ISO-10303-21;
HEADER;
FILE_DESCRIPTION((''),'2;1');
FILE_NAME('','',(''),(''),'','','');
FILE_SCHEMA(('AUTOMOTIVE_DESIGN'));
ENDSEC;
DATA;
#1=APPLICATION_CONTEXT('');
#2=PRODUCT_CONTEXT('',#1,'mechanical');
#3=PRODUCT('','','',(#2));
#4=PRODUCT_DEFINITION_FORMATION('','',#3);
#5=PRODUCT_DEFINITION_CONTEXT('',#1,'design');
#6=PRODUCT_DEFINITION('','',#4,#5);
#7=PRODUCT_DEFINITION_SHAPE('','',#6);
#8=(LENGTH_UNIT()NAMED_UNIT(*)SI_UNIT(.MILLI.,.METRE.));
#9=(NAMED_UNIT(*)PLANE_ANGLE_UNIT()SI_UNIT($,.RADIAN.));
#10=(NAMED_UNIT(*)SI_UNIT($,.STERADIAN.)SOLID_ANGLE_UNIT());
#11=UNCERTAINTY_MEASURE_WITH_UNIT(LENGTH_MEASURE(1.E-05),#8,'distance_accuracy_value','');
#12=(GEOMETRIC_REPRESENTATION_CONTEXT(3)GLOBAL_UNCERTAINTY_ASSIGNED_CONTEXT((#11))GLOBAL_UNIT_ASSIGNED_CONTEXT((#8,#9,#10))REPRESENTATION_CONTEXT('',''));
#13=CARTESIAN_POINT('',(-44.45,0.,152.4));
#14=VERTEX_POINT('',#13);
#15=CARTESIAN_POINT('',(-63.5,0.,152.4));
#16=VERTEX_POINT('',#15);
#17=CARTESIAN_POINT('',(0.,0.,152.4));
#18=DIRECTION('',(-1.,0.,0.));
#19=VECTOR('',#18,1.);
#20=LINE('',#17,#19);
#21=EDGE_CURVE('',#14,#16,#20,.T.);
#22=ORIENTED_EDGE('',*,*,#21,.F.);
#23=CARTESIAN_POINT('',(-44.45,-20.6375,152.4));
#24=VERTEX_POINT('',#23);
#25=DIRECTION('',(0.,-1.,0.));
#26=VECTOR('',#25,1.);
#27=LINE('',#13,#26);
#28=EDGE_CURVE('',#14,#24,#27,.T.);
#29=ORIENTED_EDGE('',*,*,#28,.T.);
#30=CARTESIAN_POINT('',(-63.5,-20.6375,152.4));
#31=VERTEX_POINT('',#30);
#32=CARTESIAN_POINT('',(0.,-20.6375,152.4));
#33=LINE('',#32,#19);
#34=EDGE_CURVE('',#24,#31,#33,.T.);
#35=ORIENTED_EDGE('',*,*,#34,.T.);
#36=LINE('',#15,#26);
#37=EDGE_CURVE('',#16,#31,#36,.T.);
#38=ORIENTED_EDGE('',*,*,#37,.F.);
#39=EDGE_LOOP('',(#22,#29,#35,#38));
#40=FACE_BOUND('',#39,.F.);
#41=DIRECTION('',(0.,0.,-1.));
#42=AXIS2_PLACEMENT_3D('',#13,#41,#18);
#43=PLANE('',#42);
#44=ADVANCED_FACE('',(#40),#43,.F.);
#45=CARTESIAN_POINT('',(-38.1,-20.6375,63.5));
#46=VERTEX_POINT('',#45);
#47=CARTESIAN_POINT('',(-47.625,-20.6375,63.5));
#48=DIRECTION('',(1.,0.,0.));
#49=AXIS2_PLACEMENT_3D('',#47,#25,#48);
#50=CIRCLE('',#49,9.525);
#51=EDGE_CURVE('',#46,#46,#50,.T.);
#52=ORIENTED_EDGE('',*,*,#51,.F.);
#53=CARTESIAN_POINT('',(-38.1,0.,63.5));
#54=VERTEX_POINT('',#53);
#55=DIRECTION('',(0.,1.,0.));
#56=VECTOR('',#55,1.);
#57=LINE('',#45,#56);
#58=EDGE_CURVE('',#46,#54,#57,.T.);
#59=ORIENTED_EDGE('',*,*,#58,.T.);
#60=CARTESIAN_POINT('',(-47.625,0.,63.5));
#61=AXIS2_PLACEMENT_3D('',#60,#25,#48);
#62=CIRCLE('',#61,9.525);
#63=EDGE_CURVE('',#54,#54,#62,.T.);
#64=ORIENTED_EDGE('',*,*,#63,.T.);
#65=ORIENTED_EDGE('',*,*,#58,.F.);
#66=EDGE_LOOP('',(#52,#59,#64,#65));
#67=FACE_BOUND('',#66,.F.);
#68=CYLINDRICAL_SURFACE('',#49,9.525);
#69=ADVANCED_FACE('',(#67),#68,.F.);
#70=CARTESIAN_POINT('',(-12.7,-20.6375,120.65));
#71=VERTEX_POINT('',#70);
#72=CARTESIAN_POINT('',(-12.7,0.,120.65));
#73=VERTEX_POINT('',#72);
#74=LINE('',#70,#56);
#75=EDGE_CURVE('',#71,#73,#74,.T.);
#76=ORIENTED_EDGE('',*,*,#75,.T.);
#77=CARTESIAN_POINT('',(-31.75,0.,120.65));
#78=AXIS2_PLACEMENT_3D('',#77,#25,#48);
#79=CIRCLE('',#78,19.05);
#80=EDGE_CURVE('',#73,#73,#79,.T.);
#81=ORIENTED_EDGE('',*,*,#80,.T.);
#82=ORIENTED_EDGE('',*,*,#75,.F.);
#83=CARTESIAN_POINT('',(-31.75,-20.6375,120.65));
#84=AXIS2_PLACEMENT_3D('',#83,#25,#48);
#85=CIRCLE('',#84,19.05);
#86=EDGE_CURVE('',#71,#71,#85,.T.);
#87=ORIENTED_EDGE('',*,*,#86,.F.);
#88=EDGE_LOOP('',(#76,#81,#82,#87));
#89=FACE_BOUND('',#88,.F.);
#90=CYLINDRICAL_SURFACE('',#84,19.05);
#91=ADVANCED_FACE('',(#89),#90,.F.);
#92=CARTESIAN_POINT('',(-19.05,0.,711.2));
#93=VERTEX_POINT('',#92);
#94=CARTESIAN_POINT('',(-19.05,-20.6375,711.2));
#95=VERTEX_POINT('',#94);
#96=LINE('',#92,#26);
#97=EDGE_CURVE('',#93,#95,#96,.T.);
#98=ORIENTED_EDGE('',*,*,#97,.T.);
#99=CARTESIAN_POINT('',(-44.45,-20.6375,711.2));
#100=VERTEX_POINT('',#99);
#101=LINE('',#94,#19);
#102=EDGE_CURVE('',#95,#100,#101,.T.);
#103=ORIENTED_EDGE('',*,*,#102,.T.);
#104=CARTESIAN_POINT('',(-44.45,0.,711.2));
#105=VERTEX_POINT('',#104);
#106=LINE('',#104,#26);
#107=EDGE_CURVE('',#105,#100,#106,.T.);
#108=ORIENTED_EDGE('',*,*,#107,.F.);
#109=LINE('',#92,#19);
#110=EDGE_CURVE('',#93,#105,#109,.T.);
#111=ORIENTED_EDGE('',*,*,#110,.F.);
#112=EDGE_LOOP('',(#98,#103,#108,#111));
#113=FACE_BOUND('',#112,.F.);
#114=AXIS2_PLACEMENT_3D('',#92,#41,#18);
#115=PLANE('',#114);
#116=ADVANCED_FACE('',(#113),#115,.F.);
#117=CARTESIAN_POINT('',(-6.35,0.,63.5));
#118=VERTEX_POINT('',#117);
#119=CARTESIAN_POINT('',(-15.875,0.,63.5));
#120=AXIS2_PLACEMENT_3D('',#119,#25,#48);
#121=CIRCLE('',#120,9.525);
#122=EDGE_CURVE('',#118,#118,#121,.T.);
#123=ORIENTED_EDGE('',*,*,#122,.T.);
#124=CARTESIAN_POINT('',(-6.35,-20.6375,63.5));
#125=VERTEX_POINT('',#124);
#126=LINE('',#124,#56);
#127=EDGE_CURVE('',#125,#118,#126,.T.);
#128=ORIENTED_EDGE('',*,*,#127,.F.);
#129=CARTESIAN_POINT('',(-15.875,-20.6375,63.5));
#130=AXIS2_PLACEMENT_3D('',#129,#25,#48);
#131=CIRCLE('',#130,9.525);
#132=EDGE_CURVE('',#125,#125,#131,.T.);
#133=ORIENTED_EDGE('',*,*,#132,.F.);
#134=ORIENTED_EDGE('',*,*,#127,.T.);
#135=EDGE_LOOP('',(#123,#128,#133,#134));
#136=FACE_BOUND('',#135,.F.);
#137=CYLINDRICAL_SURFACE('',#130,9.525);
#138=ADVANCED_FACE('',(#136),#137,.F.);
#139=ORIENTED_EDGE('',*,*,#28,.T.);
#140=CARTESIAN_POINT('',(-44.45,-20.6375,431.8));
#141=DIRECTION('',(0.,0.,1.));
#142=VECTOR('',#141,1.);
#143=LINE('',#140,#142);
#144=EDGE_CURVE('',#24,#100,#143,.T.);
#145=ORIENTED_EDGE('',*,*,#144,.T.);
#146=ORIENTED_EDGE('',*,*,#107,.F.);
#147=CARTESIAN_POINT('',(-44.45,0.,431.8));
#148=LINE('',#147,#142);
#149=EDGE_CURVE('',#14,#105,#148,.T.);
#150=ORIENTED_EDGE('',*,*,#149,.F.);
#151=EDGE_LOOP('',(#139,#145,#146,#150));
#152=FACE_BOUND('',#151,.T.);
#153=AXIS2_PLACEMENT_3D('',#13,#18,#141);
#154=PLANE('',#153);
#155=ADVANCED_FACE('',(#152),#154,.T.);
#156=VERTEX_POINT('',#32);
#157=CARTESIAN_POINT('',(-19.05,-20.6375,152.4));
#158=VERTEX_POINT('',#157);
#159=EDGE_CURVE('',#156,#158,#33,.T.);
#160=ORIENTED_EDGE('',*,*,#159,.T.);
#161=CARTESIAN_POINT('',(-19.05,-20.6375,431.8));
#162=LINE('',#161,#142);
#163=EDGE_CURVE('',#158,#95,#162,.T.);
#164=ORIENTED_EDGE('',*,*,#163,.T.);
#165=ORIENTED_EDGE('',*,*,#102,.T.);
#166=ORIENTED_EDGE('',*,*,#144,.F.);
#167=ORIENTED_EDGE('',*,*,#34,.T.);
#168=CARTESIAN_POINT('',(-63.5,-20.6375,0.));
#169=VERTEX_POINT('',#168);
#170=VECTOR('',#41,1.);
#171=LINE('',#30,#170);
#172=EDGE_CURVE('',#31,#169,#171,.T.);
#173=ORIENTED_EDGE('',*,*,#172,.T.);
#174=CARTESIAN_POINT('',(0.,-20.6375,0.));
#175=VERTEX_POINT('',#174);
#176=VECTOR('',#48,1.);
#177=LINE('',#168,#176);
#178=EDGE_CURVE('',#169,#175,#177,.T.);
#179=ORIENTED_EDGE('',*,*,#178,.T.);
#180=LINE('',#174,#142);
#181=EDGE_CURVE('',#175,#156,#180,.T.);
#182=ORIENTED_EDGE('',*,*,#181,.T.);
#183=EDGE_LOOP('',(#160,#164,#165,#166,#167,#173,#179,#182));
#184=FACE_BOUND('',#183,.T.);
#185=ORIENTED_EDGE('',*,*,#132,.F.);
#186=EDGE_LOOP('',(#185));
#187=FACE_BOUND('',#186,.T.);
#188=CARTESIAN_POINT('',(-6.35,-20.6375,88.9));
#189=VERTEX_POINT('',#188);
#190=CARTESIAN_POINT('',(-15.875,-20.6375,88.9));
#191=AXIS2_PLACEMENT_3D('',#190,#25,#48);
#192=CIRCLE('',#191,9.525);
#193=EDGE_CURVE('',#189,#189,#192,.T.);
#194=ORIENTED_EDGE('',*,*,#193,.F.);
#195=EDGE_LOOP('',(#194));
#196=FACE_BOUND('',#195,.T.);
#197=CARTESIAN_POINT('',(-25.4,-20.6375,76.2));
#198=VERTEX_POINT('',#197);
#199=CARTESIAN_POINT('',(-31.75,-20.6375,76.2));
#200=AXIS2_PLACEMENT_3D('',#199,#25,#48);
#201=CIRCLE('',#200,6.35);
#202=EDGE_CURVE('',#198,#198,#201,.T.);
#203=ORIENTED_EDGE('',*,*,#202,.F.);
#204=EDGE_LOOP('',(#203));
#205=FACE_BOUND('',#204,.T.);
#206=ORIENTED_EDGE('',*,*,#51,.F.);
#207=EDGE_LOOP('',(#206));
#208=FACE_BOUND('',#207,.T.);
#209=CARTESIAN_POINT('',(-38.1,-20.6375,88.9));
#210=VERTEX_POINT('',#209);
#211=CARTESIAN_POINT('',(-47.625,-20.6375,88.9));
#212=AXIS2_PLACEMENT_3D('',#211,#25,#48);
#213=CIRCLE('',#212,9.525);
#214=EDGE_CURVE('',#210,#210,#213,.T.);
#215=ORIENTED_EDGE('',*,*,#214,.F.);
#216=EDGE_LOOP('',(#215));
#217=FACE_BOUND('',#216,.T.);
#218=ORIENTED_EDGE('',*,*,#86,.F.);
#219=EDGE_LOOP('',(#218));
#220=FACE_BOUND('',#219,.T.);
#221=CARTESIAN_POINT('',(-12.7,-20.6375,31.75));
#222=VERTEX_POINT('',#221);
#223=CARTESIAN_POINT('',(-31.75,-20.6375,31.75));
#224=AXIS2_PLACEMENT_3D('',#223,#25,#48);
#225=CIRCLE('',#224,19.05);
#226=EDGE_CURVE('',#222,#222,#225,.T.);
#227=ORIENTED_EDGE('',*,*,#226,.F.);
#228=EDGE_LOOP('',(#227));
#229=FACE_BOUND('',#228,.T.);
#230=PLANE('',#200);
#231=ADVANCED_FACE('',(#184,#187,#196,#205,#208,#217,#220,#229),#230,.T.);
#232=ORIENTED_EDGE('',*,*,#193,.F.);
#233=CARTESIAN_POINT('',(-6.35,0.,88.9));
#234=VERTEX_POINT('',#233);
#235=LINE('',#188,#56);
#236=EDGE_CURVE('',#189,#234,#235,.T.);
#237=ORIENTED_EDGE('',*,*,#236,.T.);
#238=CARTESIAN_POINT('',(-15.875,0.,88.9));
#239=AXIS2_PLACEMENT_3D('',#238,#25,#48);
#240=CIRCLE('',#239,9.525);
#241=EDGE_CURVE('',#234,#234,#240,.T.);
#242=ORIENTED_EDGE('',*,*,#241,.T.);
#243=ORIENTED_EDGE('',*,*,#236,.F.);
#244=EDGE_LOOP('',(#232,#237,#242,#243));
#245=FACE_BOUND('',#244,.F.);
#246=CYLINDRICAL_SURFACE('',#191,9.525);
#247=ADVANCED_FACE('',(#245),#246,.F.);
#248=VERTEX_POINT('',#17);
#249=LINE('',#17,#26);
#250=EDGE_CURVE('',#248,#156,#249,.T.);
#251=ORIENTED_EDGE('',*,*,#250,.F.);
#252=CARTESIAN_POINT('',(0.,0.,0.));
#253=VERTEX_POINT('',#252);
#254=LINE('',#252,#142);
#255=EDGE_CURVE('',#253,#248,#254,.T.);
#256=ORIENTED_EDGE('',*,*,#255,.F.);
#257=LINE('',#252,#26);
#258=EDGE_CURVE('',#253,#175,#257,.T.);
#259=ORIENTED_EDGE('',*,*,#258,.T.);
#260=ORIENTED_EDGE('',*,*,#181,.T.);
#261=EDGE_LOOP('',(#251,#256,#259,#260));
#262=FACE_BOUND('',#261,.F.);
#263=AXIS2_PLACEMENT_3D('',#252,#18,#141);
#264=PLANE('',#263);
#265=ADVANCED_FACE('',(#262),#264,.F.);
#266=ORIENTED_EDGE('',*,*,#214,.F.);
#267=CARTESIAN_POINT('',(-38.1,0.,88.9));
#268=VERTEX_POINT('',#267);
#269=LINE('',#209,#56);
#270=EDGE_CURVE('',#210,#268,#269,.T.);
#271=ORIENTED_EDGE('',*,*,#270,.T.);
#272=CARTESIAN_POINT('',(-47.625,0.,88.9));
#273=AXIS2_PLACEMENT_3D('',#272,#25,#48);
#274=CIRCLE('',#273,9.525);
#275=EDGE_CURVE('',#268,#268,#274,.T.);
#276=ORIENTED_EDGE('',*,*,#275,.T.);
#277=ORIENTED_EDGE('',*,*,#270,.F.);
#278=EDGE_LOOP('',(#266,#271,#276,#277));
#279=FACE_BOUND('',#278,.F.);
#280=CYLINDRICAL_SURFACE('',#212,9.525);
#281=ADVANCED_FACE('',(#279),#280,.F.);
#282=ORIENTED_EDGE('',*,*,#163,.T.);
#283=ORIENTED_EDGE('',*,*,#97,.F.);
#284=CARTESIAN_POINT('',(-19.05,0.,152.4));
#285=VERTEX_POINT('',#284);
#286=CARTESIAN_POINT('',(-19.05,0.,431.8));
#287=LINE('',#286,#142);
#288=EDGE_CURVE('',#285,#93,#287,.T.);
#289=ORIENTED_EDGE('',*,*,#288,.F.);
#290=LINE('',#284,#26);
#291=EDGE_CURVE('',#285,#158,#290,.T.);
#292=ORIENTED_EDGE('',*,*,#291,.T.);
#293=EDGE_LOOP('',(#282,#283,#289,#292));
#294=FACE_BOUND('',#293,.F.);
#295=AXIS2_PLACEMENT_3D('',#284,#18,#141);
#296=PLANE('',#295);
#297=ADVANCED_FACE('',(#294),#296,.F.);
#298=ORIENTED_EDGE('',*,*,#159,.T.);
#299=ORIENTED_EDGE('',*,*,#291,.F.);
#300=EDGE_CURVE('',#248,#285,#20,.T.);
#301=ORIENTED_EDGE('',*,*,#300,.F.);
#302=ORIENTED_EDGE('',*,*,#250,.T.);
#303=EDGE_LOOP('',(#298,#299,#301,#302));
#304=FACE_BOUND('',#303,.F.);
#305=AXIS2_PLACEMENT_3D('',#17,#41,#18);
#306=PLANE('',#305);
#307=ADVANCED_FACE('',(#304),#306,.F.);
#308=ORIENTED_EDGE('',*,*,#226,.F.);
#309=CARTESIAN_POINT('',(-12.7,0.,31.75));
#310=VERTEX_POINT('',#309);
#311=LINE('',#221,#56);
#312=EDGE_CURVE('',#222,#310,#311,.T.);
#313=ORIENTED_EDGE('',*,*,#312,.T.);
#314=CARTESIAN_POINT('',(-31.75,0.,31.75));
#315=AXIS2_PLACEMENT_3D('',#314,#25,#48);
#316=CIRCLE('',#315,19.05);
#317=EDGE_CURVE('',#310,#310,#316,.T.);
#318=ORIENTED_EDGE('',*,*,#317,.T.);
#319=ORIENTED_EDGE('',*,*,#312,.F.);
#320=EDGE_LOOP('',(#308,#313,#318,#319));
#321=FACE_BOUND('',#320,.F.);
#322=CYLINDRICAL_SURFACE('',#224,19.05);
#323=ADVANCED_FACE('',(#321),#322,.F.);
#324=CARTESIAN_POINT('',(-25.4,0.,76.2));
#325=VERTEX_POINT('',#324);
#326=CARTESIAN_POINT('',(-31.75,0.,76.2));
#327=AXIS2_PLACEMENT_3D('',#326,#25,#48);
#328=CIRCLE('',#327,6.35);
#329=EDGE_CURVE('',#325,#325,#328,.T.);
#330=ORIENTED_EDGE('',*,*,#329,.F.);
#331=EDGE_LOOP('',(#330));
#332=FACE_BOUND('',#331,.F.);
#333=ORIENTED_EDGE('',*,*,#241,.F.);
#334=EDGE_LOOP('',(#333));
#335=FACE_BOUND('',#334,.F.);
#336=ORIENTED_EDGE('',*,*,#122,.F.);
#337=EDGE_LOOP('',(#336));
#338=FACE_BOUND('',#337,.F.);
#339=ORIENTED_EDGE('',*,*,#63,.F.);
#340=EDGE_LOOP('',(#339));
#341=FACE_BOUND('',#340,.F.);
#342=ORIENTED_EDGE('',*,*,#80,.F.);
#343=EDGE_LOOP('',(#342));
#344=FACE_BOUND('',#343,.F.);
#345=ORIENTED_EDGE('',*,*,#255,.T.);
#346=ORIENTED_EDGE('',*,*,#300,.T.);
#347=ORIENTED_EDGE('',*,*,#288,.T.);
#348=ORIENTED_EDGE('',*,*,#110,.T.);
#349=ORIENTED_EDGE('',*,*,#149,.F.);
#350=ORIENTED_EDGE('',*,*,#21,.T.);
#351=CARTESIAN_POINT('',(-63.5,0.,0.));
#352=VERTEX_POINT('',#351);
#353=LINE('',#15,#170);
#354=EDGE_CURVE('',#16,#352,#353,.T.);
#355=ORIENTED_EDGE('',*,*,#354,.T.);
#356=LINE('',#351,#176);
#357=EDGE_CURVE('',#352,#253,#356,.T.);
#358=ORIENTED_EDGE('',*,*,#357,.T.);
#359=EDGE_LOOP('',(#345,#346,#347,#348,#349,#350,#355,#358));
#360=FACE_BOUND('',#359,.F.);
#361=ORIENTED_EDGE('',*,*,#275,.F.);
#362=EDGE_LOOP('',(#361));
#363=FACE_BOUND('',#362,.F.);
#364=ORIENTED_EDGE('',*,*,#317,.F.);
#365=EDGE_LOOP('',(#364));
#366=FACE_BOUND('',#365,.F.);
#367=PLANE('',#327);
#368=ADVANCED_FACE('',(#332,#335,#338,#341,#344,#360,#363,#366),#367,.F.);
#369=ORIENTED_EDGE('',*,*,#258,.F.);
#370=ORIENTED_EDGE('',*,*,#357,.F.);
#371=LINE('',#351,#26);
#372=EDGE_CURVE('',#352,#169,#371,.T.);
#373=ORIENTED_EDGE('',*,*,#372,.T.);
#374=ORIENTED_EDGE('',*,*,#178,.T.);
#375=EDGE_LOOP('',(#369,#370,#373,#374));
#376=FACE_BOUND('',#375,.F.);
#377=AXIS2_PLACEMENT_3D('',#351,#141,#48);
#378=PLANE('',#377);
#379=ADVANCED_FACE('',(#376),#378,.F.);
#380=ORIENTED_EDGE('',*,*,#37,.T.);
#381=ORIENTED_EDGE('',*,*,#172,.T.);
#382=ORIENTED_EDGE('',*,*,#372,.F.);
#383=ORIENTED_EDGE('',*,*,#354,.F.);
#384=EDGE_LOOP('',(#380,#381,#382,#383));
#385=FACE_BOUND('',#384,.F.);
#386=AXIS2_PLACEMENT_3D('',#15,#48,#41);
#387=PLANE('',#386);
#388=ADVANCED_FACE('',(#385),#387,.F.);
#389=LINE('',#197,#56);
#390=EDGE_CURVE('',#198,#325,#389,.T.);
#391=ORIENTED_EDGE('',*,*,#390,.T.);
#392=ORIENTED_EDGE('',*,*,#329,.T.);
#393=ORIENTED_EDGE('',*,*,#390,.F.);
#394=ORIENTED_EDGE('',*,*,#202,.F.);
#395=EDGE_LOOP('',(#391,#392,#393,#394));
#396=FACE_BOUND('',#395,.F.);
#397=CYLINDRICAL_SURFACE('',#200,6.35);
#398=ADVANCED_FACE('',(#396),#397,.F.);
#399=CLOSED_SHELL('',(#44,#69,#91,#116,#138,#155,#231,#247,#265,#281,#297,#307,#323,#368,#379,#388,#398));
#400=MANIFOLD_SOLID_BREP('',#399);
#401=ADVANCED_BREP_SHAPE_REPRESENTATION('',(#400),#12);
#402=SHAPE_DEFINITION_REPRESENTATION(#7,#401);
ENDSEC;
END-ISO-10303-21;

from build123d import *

# Parameters (mm, degrees)
F0_W     = 12.7
F0_H     = 558.8
F1_DEPTH = 20.6375
F2_R     = 19.05
F2_R_2   = 9.525
F3_DEPTH = 25.4


with BuildPart() as f1:
    # F0 (on Front) → F1 (new body)
    with BuildSketch(Plane.XZ):
        Polygon((-63.5, 0), (0, 0), (0, 152.4), (-19.05, 152.4), (-31.75, 152.4), (-44.45, 152.4), (-63.5, 152.4), align=None)
        with Locations((-25.4, 431.8)):
            Rectangle(F0_W, F0_H)
        with Locations((-38.1, 431.8)):
            Rectangle(F0_W, F0_H)
    extrude(amount=F1_DEPTH)

    # F2 (on face) → F3 (cut)
    with BuildSketch(Plane.XZ.offset(20.6375)):
        with Locations((-31.75, 31.75)):
            Circle(F2_R)
        with Locations((-47.625, 63.5)):
            Circle(F2_R_2)
        with Locations((-15.875, 63.5)):
            Circle(F2_R_2)
        with BuildLine():
            ThreePointArc((-38.1, 76.2), (-31.75, 69.85), (-25.4, 76.2))
            Line((-25.4, 76.2), (-38.1, 76.2))
        make_face()
        with BuildLine():
            Line((-38.1, 76.2), (-25.4, 76.2))
            ThreePointArc((-25.4, 76.2), (-31.75, 82.55), (-38.1, 76.2))
        make_face()
        with Locations((-47.625, 88.9)):
            Circle(F2_R_2)
        with Locations((-15.875, 88.9)):
            Circle(F2_R_2)
        with Locations((-31.75, 120.65)):
            Circle(F2_R)
    extrude(amount=-F3_DEPTH, mode=Mode.SUBTRACT)


solid = f1.part
